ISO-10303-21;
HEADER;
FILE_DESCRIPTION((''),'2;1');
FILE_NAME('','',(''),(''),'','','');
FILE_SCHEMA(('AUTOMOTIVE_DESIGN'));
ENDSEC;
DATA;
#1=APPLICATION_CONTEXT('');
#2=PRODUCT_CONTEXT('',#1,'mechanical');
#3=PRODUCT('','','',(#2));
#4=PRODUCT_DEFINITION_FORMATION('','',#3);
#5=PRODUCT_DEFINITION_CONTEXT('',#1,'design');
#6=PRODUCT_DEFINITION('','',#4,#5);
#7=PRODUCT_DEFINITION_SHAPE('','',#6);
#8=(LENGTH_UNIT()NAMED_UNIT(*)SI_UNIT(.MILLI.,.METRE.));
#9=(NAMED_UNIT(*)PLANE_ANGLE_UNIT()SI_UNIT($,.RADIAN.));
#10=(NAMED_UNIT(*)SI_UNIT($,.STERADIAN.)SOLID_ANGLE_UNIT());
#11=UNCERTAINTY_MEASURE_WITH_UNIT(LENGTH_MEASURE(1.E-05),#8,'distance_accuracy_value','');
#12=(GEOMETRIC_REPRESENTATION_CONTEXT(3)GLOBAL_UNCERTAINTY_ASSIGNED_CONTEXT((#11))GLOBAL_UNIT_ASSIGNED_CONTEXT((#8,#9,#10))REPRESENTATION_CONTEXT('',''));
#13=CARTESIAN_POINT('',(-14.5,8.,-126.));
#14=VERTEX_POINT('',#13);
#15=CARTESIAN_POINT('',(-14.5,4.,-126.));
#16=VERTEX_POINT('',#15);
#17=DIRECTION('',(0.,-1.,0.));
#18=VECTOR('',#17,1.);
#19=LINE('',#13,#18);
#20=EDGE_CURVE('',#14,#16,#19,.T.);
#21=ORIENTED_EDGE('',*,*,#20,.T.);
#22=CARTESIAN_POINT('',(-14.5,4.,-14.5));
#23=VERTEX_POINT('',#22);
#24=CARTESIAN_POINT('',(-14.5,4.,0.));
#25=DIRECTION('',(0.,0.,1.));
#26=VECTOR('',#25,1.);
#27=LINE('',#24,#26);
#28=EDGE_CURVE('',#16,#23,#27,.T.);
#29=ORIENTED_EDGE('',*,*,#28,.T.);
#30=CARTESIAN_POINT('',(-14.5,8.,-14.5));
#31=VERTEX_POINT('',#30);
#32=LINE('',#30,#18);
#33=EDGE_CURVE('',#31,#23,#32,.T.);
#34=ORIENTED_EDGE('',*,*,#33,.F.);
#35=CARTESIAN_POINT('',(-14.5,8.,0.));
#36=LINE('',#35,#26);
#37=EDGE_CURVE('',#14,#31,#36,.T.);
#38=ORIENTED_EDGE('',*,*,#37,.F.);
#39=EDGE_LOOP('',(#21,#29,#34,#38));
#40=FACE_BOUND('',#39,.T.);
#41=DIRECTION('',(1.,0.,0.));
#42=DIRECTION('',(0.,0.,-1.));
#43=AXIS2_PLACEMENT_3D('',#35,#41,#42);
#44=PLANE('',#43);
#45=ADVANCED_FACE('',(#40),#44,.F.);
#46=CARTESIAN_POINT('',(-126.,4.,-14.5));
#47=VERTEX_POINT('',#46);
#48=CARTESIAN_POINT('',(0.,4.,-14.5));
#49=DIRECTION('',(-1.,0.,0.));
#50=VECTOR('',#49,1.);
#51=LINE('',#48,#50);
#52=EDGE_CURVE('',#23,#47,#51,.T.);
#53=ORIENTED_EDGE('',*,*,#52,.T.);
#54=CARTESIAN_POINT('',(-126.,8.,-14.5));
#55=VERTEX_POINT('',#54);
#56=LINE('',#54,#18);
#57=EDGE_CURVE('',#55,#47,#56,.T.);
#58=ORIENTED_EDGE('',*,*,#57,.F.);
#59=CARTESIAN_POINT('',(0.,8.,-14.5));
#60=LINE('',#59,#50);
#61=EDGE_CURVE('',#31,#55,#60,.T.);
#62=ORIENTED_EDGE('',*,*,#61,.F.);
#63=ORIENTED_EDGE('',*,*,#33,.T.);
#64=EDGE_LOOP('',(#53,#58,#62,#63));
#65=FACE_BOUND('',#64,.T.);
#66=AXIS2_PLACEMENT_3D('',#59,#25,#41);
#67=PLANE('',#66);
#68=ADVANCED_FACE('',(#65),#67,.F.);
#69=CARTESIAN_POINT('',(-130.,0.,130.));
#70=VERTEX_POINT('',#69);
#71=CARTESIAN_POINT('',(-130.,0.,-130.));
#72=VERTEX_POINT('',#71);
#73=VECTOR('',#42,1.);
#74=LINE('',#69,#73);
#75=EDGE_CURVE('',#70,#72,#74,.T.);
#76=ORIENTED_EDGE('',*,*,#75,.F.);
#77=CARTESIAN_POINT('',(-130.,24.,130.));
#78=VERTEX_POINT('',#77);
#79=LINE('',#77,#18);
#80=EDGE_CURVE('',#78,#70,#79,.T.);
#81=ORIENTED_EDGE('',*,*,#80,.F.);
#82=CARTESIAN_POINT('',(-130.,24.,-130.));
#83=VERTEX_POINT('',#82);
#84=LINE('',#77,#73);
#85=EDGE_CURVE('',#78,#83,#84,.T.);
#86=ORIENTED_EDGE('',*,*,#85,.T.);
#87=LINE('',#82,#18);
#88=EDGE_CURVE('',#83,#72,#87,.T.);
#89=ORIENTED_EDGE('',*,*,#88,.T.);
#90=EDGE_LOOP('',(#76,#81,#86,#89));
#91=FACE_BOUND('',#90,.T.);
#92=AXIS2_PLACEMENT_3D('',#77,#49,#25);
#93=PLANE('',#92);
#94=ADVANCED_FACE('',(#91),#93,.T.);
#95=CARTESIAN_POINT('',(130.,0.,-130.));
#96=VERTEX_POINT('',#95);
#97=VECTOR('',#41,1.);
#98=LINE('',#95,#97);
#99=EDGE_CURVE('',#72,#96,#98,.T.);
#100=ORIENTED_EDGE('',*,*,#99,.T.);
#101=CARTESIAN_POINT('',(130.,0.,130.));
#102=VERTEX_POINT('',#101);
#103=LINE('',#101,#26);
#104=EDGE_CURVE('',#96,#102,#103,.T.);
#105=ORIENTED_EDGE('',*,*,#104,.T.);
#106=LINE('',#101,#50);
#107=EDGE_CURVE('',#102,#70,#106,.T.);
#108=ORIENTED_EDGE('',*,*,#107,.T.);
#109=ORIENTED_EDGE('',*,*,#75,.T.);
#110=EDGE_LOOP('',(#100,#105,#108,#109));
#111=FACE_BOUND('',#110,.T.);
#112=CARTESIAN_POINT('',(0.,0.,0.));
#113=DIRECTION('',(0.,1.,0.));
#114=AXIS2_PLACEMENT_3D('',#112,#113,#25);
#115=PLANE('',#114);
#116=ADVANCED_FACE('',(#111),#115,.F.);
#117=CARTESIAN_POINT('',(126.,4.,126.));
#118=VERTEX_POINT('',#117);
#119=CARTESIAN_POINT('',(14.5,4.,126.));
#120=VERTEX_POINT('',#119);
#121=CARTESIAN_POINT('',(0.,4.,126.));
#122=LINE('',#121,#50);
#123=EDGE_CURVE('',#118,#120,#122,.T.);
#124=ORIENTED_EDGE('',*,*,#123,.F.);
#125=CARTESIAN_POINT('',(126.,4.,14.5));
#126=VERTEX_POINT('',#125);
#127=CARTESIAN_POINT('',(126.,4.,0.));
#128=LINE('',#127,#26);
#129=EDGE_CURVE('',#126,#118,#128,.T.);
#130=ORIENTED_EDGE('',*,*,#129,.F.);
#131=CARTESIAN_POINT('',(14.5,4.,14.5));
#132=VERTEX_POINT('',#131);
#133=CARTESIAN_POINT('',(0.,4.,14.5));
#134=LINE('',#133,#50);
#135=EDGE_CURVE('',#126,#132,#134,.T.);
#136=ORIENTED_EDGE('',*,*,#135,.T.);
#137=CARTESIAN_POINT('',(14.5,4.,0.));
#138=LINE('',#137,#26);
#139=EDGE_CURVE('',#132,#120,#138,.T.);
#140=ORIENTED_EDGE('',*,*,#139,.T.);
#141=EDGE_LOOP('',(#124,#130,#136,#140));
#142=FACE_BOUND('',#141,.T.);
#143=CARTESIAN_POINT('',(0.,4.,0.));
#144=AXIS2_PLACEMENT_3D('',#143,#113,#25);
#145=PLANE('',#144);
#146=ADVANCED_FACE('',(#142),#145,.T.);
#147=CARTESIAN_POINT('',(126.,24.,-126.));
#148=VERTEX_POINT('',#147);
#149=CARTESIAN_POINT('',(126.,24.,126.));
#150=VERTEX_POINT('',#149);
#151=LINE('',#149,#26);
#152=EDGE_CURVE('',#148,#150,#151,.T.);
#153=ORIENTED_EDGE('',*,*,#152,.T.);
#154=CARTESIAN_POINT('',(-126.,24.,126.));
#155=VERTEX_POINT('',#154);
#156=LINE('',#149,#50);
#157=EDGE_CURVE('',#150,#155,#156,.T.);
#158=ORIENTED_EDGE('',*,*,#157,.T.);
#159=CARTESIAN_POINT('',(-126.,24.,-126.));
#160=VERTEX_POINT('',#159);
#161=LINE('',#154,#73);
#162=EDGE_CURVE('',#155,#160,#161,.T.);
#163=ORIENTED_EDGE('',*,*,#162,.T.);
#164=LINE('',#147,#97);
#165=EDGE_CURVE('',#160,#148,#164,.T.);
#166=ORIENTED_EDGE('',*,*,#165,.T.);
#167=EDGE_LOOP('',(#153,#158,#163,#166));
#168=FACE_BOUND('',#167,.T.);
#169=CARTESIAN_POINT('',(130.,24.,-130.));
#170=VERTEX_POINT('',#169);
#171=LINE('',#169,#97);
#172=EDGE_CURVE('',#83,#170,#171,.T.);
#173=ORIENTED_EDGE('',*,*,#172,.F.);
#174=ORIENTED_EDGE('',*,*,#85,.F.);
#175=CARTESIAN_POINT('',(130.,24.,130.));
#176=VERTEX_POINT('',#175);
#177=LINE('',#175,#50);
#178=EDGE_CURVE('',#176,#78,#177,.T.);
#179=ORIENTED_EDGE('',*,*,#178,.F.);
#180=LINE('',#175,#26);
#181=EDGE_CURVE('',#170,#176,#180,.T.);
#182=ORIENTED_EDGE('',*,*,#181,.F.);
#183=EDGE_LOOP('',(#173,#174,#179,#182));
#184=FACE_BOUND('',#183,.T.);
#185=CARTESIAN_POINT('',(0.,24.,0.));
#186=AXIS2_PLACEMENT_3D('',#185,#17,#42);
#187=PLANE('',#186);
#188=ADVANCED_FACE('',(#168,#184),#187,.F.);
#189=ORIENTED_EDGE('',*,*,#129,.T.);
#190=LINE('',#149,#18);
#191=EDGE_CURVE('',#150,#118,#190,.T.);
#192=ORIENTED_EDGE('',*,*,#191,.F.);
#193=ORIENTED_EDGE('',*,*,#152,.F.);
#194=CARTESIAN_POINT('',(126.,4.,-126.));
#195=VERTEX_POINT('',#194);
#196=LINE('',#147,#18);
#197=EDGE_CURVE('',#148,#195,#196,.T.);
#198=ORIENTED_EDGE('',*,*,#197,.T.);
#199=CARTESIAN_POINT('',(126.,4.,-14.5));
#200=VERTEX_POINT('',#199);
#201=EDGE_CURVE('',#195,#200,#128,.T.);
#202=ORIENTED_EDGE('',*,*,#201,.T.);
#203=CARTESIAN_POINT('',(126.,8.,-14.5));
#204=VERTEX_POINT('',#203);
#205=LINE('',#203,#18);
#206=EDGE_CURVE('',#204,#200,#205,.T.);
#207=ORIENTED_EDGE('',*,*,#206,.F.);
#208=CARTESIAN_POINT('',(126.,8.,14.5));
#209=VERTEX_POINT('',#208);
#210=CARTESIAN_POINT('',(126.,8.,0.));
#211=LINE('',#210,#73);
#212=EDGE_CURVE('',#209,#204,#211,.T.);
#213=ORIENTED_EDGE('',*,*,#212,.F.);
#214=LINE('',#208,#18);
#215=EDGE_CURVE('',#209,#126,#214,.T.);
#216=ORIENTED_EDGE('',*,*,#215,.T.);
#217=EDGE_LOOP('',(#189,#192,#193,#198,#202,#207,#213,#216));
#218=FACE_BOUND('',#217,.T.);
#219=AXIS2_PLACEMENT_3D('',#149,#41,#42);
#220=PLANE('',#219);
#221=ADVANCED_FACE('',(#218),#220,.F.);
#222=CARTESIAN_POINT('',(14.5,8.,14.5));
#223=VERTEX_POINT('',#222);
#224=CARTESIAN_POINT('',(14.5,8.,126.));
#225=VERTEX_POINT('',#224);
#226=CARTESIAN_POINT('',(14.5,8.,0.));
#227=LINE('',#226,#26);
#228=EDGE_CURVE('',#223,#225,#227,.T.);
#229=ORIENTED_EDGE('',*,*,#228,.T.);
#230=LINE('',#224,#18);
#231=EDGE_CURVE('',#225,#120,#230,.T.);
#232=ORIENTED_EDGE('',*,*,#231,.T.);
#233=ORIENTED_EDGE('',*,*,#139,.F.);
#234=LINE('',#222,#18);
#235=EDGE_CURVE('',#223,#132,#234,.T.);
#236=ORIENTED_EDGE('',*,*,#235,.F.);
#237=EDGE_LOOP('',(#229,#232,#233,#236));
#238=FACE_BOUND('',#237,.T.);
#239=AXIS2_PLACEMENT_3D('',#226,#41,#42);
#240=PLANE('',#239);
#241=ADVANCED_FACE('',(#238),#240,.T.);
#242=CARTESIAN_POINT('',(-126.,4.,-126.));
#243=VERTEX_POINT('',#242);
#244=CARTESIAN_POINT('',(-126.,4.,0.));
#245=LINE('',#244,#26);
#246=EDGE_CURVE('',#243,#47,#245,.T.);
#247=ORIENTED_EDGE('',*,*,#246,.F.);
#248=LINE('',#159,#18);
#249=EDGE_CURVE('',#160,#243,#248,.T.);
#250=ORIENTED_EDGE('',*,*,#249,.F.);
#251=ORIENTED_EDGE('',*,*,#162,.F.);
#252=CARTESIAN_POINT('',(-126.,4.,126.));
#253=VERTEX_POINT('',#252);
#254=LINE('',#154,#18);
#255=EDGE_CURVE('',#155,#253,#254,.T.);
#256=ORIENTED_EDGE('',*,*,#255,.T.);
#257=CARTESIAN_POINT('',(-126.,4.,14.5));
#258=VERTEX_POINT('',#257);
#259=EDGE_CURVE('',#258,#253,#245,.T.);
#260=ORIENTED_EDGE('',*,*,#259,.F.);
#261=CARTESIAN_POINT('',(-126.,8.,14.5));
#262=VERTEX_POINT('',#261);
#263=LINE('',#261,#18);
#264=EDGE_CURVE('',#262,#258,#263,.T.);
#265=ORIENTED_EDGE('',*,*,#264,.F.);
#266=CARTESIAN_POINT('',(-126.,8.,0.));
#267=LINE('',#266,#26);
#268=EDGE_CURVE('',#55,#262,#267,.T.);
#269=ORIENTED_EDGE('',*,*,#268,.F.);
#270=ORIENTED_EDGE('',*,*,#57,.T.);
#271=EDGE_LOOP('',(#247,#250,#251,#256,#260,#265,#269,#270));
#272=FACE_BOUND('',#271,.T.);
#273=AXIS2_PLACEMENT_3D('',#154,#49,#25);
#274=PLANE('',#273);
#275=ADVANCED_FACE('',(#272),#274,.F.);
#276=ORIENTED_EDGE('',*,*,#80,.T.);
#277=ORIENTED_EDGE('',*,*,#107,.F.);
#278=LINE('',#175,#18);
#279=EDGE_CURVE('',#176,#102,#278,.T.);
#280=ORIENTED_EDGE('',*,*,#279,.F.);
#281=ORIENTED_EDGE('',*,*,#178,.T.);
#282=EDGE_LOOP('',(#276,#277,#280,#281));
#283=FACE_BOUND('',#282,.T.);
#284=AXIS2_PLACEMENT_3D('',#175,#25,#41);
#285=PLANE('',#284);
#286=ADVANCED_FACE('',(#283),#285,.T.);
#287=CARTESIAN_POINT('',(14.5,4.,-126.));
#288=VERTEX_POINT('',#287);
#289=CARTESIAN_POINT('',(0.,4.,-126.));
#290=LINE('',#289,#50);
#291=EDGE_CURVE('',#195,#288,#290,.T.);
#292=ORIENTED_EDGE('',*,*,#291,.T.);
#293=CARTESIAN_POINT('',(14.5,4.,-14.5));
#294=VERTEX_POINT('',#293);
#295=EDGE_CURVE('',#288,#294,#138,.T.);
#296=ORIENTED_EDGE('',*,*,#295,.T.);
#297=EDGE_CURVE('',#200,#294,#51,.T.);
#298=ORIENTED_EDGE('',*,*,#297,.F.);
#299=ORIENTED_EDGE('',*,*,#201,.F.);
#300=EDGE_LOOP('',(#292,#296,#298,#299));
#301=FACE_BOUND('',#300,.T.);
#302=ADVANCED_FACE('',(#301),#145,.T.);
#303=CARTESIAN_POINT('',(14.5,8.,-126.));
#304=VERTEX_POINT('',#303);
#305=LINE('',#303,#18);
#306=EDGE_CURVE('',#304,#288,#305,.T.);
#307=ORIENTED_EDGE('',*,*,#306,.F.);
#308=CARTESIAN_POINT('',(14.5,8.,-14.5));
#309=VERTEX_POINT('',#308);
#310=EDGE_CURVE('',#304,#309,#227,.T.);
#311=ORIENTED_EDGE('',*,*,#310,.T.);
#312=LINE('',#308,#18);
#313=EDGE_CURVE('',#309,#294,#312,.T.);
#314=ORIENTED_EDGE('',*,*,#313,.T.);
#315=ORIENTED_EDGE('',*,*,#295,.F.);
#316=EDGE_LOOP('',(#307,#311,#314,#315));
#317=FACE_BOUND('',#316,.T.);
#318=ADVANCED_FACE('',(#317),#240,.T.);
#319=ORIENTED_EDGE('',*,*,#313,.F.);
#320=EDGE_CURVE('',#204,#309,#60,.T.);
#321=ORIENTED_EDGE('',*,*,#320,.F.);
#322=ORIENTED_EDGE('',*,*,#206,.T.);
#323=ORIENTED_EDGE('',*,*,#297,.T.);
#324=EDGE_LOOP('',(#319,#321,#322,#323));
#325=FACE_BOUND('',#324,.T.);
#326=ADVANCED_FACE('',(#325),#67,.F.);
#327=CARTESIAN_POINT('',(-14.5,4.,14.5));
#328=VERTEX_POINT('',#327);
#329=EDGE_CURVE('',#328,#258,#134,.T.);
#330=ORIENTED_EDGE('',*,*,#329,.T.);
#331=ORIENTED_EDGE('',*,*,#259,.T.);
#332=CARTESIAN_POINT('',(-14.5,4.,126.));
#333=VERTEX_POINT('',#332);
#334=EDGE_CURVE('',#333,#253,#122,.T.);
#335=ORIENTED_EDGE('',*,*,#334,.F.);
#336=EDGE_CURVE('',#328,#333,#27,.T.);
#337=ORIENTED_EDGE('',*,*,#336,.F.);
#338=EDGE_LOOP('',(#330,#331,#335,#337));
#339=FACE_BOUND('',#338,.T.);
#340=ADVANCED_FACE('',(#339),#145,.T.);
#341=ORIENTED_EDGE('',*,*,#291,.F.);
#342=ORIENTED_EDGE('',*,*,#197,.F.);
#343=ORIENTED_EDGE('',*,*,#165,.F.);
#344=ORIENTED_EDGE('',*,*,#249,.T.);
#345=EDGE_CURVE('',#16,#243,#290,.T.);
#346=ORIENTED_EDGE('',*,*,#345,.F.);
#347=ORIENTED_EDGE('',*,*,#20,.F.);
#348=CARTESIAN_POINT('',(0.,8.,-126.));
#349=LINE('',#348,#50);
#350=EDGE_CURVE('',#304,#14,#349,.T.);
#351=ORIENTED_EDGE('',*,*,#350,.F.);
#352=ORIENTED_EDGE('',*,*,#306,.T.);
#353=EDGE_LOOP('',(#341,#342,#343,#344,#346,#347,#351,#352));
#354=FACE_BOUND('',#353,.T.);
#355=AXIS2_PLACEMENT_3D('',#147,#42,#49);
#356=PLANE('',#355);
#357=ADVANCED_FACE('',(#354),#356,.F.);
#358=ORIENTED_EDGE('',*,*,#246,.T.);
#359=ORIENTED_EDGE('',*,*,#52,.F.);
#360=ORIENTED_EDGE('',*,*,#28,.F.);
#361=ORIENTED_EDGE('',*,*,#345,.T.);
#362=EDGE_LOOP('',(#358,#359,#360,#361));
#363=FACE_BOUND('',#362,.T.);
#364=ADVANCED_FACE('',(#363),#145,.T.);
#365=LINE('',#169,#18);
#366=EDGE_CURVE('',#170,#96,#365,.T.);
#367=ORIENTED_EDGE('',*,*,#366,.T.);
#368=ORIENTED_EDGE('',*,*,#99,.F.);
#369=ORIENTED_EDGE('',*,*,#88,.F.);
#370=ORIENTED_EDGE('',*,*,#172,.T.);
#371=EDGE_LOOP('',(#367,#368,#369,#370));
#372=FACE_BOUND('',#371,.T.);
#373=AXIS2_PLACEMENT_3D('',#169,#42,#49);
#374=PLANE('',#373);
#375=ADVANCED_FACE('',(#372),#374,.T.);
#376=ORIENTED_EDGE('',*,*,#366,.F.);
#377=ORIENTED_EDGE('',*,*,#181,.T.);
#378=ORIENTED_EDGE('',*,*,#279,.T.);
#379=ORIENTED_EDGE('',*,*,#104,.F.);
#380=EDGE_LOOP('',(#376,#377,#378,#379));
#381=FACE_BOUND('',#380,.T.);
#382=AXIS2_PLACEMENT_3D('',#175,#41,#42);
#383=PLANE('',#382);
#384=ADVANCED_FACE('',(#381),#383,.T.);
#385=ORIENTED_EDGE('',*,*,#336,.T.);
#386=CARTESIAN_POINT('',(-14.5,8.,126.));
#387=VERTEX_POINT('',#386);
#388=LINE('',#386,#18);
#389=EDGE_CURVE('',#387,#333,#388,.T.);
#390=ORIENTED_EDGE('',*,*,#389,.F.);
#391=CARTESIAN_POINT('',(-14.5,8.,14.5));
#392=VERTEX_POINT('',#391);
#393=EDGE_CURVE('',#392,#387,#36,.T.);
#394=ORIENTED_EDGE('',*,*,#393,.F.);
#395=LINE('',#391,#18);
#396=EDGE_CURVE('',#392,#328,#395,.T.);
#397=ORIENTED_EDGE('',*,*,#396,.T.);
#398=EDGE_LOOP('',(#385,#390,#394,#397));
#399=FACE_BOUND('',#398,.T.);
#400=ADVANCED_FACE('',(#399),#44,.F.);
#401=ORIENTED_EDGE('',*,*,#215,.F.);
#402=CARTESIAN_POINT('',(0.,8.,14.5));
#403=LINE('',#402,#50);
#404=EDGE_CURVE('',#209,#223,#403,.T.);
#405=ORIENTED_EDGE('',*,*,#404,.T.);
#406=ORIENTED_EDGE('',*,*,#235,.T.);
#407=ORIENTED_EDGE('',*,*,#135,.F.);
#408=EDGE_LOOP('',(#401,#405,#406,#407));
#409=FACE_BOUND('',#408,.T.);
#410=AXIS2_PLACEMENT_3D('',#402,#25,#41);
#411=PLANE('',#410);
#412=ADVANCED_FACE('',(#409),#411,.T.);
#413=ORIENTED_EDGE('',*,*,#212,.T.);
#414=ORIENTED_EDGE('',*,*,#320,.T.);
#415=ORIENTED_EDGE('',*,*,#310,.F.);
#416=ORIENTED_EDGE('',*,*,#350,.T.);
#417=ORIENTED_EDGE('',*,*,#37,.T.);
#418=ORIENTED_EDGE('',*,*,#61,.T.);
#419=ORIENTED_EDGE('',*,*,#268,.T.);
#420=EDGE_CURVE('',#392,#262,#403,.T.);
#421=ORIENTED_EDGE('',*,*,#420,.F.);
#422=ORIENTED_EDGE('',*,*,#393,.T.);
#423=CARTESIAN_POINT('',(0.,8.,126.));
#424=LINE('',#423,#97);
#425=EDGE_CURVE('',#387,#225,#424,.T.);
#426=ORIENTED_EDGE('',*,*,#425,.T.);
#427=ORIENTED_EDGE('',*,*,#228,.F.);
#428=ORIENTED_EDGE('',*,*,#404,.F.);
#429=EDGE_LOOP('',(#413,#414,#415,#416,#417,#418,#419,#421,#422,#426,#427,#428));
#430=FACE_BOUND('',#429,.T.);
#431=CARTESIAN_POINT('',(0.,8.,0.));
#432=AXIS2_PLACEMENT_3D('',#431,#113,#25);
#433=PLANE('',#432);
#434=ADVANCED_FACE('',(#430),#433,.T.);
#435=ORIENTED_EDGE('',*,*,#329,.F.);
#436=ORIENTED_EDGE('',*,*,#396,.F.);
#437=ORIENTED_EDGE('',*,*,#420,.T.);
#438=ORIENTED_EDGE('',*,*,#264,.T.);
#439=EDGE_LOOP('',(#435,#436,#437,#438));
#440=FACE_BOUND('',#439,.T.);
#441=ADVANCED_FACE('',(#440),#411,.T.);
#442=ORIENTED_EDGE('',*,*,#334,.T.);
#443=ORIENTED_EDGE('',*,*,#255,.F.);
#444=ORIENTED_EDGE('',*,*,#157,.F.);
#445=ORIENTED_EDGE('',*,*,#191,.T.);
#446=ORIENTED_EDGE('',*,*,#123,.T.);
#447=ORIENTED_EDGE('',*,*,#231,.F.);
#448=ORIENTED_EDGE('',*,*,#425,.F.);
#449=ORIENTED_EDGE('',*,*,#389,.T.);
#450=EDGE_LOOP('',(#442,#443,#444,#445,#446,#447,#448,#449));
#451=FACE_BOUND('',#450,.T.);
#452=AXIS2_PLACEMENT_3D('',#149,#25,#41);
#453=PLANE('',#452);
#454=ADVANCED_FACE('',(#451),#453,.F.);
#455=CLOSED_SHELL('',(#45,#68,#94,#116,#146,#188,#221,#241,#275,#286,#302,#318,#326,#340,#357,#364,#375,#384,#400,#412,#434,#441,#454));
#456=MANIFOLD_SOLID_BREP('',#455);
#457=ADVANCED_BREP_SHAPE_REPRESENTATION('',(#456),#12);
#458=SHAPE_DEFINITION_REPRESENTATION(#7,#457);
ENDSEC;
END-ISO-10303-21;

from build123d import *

# Parameters (mm, degrees)
SKETCH1_W           = 252
SKETCH1_H           = 252
BOSS_EXTRUDE1_DEPTH = 4
SKETCH2_W           = 252
SKETCH2_H           = 29
SKETCH2_W_2         = 29
SKETCH2_H_2         = 252
BOSS_EXTRUDE2_DEPTH = 4
SKETCH3_W           = 260
SKETCH3_H           = 260
SKETCH3_W_2         = 252
SKETCH3_H_2         = 252
BOSS_EXTRUDE3_DEPTH = 24


with BuildPart() as part:
    # Sketch1 → Boss-Extrude1 (new body)
    with BuildSketch(Plane(origin=(0, 0, 0), x_dir=(1, 0, 0), z_dir=(0, 1, 0))):
        Rectangle(SKETCH1_W, SKETCH1_H)
    extrude(amount=BOSS_EXTRUDE1_DEPTH)

    # Sketch2 → Boss-Extrude2 (add)
    with BuildSketch(Plane(origin=(0, 4, 0), x_dir=(1, 0, 0), z_dir=(0, 1, 0))):
        Rectangle(SKETCH2_W, SKETCH2_H)
        Rectangle(SKETCH2_W_2, SKETCH2_H_2)
    extrude(amount=BOSS_EXTRUDE2_DEPTH)

    # Sketch3 → Boss-Extrude3 (add)
    with BuildSketch(Plane.XZ):
        Rectangle(SKETCH3_W, SKETCH3_H)
        Rectangle(SKETCH3_W_2, SKETCH3_H_2, mode=Mode.SUBTRACT)
    extrude(amount=-BOSS_EXTRUDE3_DEPTH)


solid = part.part
